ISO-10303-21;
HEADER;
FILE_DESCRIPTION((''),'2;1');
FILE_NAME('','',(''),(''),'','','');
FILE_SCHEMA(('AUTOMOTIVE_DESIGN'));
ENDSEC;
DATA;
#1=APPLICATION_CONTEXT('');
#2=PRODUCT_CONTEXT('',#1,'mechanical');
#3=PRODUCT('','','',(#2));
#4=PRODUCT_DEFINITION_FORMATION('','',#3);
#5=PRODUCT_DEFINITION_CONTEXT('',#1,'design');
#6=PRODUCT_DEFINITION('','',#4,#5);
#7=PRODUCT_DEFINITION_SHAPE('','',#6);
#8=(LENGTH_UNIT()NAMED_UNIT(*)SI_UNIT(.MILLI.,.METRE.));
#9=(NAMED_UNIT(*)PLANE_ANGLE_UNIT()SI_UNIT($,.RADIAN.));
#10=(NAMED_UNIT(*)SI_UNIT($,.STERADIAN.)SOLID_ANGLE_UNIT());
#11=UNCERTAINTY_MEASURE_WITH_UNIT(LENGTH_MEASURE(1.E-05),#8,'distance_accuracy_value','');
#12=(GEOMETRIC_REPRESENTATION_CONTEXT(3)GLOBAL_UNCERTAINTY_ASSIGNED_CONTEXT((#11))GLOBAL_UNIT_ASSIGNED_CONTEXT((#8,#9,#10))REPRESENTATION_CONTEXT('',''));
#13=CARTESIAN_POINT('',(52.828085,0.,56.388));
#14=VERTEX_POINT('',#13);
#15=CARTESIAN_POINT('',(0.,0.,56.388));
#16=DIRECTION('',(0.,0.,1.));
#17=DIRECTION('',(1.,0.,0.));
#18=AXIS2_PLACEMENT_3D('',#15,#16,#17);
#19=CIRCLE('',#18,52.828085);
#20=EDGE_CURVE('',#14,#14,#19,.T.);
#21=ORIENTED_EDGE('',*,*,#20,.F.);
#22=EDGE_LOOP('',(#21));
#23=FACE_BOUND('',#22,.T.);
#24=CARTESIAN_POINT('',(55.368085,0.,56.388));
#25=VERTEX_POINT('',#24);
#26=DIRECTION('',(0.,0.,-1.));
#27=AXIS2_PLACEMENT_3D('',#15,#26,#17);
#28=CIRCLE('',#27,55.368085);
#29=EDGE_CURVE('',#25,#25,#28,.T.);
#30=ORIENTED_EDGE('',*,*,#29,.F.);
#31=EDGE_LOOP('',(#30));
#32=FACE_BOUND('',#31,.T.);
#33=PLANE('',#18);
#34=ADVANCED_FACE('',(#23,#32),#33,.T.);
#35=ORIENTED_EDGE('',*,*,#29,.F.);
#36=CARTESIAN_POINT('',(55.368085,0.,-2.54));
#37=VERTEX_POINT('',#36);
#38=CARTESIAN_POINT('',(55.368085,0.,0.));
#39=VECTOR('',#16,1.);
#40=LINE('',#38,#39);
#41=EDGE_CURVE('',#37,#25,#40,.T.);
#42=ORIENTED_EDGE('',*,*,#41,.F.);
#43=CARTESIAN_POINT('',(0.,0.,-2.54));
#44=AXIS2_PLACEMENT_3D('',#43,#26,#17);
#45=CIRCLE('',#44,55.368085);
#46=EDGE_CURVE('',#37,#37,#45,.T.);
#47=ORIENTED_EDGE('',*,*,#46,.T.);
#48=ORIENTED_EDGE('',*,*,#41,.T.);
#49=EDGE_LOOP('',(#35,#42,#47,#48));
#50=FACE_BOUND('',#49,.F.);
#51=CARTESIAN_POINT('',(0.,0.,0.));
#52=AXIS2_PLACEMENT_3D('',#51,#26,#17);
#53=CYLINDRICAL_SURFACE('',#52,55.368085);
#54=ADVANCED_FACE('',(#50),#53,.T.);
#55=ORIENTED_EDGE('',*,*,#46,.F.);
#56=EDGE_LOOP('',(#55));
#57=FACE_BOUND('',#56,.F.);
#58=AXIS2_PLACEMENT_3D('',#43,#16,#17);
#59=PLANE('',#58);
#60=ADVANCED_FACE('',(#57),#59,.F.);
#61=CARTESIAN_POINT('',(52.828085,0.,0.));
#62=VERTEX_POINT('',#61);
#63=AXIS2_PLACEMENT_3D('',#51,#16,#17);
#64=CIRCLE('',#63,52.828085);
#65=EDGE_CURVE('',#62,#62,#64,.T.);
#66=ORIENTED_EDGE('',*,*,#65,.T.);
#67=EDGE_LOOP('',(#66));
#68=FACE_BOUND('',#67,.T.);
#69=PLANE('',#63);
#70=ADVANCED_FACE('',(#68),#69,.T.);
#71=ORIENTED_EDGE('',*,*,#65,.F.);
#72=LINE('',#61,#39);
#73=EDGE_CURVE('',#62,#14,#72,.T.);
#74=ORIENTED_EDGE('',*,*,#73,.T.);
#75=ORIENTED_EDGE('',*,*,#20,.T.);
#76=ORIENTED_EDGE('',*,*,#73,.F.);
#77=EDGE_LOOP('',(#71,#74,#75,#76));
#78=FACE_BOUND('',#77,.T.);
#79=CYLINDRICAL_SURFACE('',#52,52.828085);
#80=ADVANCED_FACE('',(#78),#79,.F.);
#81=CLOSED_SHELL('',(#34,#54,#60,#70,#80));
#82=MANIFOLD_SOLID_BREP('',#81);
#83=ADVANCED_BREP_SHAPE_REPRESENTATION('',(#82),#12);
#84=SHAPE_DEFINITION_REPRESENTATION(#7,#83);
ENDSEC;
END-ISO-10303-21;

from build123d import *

# Parameters (mm, degrees)
F0_R     = 52.8280851984
F1_DEPTH = 56.388
F2_T     = 2.54


with BuildPart() as f1:
    # F0 (on Top) → F1 (new body)
    with BuildSketch(Plane.XY):
        Circle(F0_R)
    extrude(amount=F1_DEPTH)

    # F2
    f2_openings = [f1.faces().sort_by_distance(p)[0] for p in [
        (0, 0, 56.388),
    ]]
    offset(amount=F2_T, openings=f2_openings, kind=Kind.INTERSECTION)


solid = f1.part
